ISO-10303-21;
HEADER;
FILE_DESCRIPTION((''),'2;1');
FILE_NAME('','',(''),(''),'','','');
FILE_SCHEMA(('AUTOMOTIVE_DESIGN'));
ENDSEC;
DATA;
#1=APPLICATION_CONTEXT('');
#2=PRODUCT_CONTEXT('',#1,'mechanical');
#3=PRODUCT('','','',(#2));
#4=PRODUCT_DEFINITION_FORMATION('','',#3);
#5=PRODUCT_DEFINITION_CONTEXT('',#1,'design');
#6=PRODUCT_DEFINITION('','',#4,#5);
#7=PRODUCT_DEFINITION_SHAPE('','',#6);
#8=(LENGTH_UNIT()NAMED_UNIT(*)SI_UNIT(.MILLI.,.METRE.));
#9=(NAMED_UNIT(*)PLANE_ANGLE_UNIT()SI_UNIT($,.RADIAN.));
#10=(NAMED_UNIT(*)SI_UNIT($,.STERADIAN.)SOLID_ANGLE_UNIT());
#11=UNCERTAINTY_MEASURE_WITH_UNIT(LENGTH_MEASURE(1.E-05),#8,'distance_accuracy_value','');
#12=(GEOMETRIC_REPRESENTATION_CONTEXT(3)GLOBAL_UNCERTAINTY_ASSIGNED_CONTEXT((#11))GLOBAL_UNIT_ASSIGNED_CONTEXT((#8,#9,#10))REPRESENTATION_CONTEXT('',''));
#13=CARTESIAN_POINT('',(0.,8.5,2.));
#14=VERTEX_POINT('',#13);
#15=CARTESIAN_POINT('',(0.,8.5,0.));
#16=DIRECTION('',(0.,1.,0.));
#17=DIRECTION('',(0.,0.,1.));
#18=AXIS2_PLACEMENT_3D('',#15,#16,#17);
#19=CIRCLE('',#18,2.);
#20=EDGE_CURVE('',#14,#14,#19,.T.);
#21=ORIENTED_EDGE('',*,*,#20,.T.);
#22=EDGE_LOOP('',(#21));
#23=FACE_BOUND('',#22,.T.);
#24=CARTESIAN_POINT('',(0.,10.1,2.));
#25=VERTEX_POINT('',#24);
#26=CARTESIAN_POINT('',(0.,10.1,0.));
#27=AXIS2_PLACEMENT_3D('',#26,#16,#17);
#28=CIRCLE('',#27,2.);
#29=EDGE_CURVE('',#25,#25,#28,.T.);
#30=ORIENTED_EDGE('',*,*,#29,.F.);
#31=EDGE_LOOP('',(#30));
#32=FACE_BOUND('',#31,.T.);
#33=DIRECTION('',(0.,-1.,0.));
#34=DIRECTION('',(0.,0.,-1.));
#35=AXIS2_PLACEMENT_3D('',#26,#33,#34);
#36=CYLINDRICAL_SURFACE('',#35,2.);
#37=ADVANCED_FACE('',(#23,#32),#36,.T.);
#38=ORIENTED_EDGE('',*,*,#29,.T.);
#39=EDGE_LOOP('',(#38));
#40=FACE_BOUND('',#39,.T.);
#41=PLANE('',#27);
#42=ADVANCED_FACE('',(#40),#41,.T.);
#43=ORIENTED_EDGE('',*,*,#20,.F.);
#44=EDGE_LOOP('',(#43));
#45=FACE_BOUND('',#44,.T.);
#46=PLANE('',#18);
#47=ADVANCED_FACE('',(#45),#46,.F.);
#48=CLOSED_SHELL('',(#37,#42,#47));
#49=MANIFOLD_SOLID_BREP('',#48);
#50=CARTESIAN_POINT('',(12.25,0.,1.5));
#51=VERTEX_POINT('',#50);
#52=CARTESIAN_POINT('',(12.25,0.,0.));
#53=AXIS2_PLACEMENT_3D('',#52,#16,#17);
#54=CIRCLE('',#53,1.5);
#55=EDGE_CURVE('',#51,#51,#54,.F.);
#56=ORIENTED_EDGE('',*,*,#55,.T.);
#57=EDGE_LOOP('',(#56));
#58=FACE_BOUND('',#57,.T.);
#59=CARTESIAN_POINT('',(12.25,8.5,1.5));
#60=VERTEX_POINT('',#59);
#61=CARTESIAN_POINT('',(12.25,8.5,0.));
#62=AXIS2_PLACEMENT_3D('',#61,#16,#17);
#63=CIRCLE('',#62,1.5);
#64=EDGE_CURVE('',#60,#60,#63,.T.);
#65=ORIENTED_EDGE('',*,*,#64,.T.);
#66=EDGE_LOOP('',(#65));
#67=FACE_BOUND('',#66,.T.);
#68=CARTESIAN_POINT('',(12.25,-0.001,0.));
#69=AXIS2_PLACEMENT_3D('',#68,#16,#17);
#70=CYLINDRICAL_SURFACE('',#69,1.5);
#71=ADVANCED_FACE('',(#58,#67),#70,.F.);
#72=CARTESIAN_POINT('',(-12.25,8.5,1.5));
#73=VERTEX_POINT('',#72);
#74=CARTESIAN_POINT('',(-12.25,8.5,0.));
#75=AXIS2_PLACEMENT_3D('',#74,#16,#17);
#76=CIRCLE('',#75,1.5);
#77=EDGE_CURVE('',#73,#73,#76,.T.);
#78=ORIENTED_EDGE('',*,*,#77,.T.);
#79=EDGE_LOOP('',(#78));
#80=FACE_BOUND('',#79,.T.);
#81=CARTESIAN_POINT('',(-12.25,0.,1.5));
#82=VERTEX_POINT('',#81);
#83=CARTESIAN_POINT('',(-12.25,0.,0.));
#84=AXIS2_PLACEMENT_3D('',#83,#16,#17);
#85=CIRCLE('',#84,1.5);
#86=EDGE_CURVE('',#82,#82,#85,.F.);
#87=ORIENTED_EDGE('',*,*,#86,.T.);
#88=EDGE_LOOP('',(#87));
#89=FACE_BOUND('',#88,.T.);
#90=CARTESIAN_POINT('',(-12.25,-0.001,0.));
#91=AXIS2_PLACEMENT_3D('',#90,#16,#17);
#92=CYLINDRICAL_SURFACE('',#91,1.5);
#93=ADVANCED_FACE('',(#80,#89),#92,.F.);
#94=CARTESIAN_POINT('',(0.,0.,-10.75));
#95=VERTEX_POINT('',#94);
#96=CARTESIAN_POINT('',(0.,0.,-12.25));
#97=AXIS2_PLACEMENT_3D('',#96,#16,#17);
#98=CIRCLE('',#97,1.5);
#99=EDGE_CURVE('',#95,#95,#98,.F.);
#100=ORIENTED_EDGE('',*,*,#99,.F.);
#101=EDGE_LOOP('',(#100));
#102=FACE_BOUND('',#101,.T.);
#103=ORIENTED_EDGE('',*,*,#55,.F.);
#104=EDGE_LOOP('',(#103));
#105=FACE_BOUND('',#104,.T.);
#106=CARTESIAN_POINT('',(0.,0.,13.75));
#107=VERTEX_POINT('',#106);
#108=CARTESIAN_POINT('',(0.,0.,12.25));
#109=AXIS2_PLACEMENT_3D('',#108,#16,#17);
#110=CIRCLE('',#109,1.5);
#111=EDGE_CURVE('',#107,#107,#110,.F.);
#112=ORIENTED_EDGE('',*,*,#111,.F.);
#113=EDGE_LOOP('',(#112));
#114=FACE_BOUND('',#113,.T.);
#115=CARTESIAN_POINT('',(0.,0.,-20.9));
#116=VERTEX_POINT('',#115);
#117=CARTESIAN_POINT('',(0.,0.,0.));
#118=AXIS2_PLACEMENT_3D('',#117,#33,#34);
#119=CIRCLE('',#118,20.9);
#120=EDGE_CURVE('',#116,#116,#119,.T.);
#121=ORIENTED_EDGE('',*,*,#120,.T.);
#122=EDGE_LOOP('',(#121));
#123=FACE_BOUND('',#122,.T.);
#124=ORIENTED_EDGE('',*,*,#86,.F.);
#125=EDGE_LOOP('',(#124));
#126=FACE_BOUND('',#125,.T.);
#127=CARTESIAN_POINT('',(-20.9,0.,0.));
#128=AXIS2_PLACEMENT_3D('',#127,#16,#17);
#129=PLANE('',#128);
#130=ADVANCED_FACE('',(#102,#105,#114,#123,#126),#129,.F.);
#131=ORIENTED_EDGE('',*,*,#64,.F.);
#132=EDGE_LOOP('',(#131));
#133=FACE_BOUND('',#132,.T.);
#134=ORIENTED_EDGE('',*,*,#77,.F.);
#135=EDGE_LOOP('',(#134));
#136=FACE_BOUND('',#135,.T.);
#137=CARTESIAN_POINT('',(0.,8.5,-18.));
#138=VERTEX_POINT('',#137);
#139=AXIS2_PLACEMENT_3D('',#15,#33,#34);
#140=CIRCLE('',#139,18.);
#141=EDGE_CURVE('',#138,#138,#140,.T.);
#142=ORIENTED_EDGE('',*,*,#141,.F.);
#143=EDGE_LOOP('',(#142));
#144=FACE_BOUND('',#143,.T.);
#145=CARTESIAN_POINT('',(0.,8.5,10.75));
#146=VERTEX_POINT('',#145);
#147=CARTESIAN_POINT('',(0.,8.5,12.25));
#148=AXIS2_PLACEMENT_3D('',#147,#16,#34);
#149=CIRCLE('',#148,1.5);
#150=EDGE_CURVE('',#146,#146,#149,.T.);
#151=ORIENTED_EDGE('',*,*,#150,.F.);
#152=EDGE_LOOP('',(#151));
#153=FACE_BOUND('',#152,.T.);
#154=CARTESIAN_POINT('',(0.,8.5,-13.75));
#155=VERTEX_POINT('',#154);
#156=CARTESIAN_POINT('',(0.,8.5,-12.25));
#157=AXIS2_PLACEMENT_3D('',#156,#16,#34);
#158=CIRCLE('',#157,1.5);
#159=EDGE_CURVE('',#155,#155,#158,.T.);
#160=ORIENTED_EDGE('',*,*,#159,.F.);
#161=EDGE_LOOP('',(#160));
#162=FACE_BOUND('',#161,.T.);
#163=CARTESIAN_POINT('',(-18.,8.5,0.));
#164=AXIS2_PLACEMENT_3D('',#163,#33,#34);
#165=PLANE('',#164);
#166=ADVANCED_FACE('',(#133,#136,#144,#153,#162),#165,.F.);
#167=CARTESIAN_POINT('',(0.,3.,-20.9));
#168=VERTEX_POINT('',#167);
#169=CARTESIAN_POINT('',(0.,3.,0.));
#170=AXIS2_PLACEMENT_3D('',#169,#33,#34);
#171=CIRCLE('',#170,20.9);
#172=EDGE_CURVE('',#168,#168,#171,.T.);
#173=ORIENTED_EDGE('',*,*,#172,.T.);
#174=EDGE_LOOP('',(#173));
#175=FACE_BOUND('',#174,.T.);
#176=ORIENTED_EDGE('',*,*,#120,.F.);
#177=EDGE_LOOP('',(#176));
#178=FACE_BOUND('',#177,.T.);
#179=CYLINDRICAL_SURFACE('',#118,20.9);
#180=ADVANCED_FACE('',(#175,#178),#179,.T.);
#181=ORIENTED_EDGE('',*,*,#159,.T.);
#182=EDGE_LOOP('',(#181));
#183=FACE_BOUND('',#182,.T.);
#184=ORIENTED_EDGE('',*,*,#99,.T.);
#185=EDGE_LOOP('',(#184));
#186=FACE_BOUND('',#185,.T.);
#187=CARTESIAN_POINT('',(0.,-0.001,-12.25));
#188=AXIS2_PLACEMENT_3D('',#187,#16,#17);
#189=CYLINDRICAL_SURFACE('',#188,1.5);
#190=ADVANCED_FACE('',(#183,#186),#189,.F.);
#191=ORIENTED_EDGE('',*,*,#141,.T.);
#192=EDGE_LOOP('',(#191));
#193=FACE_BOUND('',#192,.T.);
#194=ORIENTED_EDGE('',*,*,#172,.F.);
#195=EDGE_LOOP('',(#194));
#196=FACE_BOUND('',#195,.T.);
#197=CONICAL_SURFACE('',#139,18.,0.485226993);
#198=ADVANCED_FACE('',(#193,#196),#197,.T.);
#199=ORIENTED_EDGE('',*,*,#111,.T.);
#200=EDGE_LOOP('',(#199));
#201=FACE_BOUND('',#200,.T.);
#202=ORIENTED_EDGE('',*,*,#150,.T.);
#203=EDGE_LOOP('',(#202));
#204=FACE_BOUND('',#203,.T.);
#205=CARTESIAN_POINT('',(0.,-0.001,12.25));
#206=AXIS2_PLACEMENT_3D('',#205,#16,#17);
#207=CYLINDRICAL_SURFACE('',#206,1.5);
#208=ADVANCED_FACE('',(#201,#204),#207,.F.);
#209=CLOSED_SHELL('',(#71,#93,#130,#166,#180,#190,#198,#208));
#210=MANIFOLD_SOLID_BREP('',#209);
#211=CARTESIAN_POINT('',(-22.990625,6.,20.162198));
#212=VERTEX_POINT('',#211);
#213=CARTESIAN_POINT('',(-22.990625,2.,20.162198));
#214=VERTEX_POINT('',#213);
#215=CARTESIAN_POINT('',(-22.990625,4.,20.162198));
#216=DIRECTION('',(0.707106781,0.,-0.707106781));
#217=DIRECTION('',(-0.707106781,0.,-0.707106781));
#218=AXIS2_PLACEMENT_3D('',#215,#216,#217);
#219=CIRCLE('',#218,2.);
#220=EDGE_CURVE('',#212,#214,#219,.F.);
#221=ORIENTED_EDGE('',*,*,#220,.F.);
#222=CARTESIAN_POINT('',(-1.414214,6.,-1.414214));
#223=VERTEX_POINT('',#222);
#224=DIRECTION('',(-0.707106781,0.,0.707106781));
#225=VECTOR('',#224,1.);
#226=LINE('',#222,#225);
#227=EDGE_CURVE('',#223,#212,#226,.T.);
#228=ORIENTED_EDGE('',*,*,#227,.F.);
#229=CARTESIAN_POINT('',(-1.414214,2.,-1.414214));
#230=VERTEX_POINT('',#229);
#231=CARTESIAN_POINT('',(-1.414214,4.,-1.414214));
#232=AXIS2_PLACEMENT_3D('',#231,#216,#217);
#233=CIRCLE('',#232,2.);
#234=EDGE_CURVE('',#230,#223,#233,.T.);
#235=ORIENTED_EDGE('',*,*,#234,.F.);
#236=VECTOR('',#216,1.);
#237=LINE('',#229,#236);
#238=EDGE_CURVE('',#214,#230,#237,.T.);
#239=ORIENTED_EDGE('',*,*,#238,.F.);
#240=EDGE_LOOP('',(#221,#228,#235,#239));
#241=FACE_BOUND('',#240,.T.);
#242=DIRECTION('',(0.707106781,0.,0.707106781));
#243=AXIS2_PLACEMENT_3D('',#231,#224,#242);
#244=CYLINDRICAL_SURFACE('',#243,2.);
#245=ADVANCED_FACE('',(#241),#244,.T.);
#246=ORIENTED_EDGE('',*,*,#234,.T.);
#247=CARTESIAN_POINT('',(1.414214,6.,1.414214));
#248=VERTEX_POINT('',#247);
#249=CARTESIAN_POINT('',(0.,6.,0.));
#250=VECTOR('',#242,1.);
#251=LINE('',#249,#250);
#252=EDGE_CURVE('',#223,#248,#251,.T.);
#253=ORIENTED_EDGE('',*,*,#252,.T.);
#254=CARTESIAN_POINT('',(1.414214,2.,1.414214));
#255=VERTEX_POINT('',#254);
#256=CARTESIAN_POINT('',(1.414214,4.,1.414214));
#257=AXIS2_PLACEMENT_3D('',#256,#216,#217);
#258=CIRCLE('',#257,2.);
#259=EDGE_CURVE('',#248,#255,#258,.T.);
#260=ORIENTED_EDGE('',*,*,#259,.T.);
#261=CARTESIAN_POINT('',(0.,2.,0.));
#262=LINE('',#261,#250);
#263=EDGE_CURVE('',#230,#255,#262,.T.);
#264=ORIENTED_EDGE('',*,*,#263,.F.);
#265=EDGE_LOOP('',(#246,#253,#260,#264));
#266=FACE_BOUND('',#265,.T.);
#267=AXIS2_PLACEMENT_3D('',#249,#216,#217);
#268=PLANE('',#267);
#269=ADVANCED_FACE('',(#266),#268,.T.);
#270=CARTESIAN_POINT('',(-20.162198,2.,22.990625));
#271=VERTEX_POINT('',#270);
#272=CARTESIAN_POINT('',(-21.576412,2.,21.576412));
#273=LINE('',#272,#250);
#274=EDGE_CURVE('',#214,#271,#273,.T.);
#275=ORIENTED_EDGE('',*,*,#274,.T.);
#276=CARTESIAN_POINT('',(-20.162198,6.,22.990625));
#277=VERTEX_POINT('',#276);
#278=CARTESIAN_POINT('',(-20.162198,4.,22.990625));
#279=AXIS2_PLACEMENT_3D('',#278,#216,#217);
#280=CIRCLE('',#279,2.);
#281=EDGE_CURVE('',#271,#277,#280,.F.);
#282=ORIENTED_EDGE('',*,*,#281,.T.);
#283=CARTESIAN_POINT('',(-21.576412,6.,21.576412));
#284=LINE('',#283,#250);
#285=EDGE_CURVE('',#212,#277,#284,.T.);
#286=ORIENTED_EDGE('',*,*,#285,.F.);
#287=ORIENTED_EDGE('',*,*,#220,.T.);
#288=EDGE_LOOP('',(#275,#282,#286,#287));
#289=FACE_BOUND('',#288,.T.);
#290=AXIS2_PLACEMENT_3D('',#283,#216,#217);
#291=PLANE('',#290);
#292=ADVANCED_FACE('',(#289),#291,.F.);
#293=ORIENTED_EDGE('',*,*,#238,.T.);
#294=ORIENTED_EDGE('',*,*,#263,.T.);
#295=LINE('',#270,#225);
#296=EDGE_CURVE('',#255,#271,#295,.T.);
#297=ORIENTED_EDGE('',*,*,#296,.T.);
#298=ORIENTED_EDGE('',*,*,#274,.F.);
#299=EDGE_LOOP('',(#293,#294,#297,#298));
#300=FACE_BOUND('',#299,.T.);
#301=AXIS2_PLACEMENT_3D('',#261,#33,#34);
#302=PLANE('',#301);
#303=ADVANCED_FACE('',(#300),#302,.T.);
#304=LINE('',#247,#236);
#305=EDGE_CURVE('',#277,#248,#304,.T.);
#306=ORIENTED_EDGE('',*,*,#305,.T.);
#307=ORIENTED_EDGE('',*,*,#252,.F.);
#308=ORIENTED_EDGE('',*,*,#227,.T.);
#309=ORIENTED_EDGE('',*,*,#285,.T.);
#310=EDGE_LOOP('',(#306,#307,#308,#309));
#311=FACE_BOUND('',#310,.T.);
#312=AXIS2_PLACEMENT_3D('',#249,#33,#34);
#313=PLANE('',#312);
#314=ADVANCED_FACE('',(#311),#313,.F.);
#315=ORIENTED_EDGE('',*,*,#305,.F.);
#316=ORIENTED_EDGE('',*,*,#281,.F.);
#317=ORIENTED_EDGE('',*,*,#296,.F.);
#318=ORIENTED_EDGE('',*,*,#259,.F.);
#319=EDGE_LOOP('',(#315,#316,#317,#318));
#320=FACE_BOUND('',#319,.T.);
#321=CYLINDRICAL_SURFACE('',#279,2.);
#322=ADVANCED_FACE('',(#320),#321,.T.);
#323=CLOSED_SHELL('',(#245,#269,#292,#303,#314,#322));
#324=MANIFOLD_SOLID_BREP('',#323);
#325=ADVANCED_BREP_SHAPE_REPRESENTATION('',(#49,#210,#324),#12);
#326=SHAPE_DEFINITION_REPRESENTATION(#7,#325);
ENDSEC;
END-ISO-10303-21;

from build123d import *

# Parameters (mm, degrees)
ENL_V_MAT_EXTRU_1_REACH = 32.755
ESQUISSE4_R             = 1.5
ESQUISSE5_R             = 2
BOSS_EXTRU_2_DEPTH      = 1.6
BOSS_EXTRU_4_START      = -2
BOSS_EXTRU_4_DEPTH      = 4
CONG_3_RADIUS           = 2
CONG_3_LENGTH           = 30.513653989
CONG_2_RADIUS           = 2
CONG_2_LENGTH           = 30.513653989


with BuildPart() as part:
    # Esquisse3 → Révolution1 (revolve)
    with BuildSketch(Plane.XY, mode=Mode.PRIVATE) as r_volution1_sk:
        Polygon((-20.9, 0), (-20.9, 3), (-18, 8.5), (0, 8.5), (0, 0), align=None)
    revolve(r_volution1_sk.sketch.rotate(Axis((0, 0, 0), (0, 1, 0)), 270), axis=Axis((0, 0, 0), (0, 1, 0)))

    # Esquisse4 → Enlèv. mat.-Extru.1 (cut, up to next)
    with BuildSketch(Plane(origin=(0, 8.5, 0), x_dir=(1, 0, 0), z_dir=(0, 1, 0)), mode=Mode.PRIVATE) as enl_v_mat_extru_1_sk1:
        with Locations(Location((12.25, 0, 0), (0, 0, 270))):
            Circle(ESQUISSE4_R)
    enl_v_mat_extru_1_tool1 = extrude(enl_v_mat_extru_1_sk1.sketch, amount=-ENL_V_MAT_EXTRU_1_REACH, mode=Mode.PRIVATE) & part.part
    # Esquisse4 → Enlèv. mat.-Extru.1 (cut, up to next)
    with BuildSketch(Plane(origin=(0, 8.5, 0), x_dir=(1, 0, 0), z_dir=(0, 1, 0)), mode=Mode.PRIVATE) as enl_v_mat_extru_1_sk2:
        with Locations(Location((-12.25, 0, 0), (0, 0, 270))):
            Circle(ESQUISSE4_R)
    enl_v_mat_extru_1_tool2 = extrude(enl_v_mat_extru_1_sk2.sketch, amount=-ENL_V_MAT_EXTRU_1_REACH, mode=Mode.PRIVATE) & part.part
    # Esquisse4 → Enlèv. mat.-Extru.1 (cut, up to next)
    with BuildSketch(Plane(origin=(0, 8.5, 0), x_dir=(1, 0, 0), z_dir=(0, 1, 0)), mode=Mode.PRIVATE) as enl_v_mat_extru_1_sk3:
        with Locations(Location((0, -12.25, 0), (0, 0, 270))):
            Circle(ESQUISSE4_R)
    enl_v_mat_extru_1_tool3 = extrude(enl_v_mat_extru_1_sk3.sketch, amount=-ENL_V_MAT_EXTRU_1_REACH, mode=Mode.PRIVATE) & part.part
    # Esquisse4 → Enlèv. mat.-Extru.1 (cut, up to next)
    with BuildSketch(Plane(origin=(0, 8.5, 0), x_dir=(1, 0, 0), z_dir=(0, 1, 0)), mode=Mode.PRIVATE) as enl_v_mat_extru_1_sk4:
        with Locations(Location((0, 12.25, 0), (0, 0, 270))):
            Circle(ESQUISSE4_R)
    enl_v_mat_extru_1_tool4 = extrude(enl_v_mat_extru_1_sk4.sketch, amount=-ENL_V_MAT_EXTRU_1_REACH, mode=Mode.PRIVATE) & part.part
    add(enl_v_mat_extru_1_tool1.solids().sort_by_distance((12.25, 8.5, 0))[0], mode=Mode.SUBTRACT)
    add(enl_v_mat_extru_1_tool2.solids().sort_by_distance((-12.25, 8.5, 0))[0], mode=Mode.SUBTRACT)
    add(enl_v_mat_extru_1_tool3.solids().sort_by_distance((0, 8.5, 12.25))[0], mode=Mode.SUBTRACT)
    add(enl_v_mat_extru_1_tool4.solids().sort_by_distance((0, 8.5, -12.25))[0], mode=Mode.SUBTRACT)


with BuildPart() as body_2:
    # Esquisse5 → Boss.-Extru.2 (new body)
    with BuildSketch(Plane(origin=(0, 8.5, 0), x_dir=(1, 0, 0), z_dir=(0, 1, 0))):
        with Locations(Location((0, 0, 0), (0, 0, 270))):
            Circle(ESQUISSE5_R)
    extrude(amount=BOSS_EXTRU_2_DEPTH)


with BuildPart() as body_3:
    # Esquisse6 → Boss.-Extru.4 (new body)
    with BuildSketch(Plane.XZ.offset(BOSS_EXTRU_4_START)):
        Polygon((-24.404838779, 18.74798453), (-18.74798453, 24.404838779), (2.828427125, 2.828427125), (-2.828427125, -2.828427125), align=None)
    extrude(amount=-BOSS_EXTRU_4_DEPTH)

    # Congé3: full round fillet: the end face becomes a half cylinder, R = half its width
    cong_3_face = Plane((-7.959778703, 4, 13.616632952), x_dir=(-0.707106781187, 0, 0.707106781187), z_dir=(0.707106781187, 0, 0.707106781187))  # on the end face: x along it, z out of the body
    cong_3_slab = cong_3_face.offset(-CONG_3_RADIUS / 2) * Box(CONG_3_LENGTH, 2 * CONG_3_RADIUS, CONG_3_RADIUS, mode=Mode.PRIVATE)  # the body's end, R deep
    cong_3_round = Plane((-9.373992265, 4, 12.20241939), x_dir=(0.707106781187, 0, 0.707106781187), z_dir=(-0.707106781187, 0, 0.707106781187)) * Cylinder(CONG_3_RADIUS, CONG_3_LENGTH, mode=Mode.PRIVATE)  # its axis R under the face
    add(cong_3_slab - cong_3_round, mode=Mode.SUBTRACT)

    # Congé2: full round fillet: the end face becomes a half cylinder, R = half its width
    cong_2_face = Plane((-13.616632952, 4, 7.959778703), x_dir=(0.707106781187, 0, -0.707106781187), z_dir=(-0.707106781187, 0, -0.707106781187))  # on the end face: x along it, z out of the body
    cong_2_slab = cong_2_face.offset(-CONG_2_RADIUS / 2) * Box(CONG_2_LENGTH, 2 * CONG_2_RADIUS, CONG_2_RADIUS, mode=Mode.PRIVATE)  # the body's end, R deep
    cong_2_round = Plane((-12.20241939, 4, 9.373992265), x_dir=(-0.707106781187, 0, -0.707106781187), z_dir=(0.707106781187, 0, -0.707106781187)) * Cylinder(CONG_2_RADIUS, CONG_2_LENGTH, mode=Mode.PRIVATE)  # its axis R under the face
    add(cong_2_slab - cong_2_round, mode=Mode.SUBTRACT)


solid = Compound([part.part, body_2.part, body_3.part])
